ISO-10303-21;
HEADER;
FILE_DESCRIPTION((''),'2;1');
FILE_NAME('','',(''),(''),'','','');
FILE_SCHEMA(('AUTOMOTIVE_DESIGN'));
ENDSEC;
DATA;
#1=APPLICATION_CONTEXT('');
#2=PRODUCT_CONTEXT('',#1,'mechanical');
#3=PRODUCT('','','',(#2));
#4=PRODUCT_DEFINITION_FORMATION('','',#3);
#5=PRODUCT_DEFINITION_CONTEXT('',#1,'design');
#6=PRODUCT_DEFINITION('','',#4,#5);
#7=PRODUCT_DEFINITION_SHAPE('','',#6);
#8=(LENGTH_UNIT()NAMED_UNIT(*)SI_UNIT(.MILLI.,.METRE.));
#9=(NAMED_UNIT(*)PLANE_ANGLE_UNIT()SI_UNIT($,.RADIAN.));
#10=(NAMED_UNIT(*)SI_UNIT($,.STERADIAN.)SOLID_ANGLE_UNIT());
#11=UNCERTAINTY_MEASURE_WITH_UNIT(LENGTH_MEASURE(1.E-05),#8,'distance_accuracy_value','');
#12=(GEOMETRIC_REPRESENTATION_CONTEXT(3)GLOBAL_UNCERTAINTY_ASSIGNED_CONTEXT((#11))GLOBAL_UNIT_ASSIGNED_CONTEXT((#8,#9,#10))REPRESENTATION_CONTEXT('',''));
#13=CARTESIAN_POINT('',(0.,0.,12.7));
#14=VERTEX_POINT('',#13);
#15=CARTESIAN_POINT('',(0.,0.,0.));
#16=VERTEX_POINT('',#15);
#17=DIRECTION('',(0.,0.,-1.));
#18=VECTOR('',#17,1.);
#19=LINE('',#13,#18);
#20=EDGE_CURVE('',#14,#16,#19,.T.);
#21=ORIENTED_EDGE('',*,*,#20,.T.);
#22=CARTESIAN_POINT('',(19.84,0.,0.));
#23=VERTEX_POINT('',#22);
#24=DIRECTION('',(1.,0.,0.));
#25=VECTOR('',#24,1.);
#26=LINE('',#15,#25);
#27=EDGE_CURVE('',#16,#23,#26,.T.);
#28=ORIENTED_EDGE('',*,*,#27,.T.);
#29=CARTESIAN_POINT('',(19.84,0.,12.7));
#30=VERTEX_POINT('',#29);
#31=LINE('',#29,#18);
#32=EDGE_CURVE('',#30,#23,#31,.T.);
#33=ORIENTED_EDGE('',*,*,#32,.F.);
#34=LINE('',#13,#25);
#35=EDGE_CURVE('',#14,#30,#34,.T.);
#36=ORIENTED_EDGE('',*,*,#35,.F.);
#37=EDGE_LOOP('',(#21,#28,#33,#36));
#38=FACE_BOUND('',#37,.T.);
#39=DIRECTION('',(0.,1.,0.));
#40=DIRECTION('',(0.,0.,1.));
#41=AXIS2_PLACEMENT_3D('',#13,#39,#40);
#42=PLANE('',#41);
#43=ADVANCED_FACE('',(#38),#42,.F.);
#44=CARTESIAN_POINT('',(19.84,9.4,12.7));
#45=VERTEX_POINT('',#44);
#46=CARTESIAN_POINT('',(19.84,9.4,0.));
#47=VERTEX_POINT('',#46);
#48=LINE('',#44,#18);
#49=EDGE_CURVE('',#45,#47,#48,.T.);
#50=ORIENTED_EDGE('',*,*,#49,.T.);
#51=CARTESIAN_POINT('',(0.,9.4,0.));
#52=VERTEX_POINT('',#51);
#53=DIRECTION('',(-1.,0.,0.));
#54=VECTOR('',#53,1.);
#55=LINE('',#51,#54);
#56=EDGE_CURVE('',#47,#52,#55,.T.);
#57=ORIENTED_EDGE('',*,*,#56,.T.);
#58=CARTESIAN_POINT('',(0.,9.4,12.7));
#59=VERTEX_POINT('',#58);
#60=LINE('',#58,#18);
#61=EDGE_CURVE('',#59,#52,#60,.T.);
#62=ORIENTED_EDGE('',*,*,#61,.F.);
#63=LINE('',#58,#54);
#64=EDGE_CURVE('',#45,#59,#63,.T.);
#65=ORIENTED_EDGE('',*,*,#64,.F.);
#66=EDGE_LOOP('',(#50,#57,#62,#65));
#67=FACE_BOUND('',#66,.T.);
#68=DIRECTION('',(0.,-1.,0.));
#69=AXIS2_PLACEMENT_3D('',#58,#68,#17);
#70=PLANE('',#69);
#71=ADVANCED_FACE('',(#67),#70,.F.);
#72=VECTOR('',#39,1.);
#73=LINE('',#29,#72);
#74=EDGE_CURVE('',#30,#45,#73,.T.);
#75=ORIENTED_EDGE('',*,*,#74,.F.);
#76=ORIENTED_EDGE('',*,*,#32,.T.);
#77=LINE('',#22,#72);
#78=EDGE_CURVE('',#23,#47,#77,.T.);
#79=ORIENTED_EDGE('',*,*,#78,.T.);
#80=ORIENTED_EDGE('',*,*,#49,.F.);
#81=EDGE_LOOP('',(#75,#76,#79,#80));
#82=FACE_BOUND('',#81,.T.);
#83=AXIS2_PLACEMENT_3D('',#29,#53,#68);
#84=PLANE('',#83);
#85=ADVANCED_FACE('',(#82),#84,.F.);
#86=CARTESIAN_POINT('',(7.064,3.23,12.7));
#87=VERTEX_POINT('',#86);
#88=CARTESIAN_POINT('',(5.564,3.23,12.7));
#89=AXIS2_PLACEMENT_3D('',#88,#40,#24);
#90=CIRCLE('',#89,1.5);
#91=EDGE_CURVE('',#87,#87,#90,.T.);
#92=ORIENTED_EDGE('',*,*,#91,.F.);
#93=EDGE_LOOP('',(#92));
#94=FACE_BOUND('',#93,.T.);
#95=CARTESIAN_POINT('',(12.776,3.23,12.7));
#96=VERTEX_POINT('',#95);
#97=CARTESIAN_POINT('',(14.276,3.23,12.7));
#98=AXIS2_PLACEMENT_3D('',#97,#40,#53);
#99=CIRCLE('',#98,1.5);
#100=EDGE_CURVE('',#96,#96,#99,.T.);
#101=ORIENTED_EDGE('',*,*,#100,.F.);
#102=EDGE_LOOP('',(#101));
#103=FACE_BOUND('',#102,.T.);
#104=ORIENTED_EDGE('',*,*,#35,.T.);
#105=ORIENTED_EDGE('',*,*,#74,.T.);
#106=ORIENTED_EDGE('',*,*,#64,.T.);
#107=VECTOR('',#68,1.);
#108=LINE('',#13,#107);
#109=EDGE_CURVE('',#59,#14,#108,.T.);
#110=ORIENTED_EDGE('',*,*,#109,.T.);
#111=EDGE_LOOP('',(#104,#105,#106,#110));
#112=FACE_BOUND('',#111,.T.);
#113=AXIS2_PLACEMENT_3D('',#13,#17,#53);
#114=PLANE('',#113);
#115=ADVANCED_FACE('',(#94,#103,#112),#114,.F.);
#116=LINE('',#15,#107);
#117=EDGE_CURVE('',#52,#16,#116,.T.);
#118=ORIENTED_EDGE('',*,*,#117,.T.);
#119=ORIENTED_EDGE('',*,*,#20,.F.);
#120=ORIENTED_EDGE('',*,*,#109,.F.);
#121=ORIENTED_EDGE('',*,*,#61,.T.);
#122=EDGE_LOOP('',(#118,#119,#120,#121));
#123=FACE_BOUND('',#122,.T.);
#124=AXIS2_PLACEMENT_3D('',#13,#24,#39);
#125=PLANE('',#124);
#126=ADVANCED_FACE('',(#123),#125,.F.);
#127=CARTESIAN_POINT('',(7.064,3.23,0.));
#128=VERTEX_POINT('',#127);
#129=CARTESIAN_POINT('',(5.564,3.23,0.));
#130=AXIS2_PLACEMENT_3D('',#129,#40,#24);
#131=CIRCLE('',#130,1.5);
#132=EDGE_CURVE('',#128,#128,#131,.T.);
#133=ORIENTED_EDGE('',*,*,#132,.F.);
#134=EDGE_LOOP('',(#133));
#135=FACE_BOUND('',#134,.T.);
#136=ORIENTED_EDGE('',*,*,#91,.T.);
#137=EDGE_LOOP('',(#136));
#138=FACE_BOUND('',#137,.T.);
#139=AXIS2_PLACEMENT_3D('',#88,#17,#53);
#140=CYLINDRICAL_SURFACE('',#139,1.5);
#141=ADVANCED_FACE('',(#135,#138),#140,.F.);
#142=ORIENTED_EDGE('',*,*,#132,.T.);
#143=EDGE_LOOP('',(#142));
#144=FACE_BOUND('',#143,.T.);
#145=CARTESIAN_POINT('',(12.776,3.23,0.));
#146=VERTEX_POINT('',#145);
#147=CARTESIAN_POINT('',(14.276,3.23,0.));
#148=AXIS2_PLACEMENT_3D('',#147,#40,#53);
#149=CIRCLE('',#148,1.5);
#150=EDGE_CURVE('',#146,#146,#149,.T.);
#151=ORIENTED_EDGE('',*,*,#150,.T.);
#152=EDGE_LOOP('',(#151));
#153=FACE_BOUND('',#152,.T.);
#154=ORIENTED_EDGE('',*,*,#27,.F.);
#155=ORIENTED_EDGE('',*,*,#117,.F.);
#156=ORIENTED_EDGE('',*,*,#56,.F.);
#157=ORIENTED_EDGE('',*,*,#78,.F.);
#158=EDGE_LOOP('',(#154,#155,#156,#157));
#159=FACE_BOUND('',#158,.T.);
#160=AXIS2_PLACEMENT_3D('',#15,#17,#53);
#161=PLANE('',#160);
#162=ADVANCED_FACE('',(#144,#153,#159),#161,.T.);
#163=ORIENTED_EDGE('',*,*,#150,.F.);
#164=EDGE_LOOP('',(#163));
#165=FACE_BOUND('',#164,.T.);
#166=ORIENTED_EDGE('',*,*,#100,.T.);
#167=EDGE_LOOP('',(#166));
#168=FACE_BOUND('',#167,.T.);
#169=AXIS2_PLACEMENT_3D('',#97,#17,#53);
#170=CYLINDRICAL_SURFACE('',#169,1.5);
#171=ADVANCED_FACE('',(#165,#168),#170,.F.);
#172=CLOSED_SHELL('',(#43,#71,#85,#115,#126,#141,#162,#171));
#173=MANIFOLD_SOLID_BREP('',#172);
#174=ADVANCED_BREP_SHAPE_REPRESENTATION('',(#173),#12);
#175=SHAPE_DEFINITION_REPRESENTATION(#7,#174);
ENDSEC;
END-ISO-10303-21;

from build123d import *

# Parameters (mm, degrees)
SKETCH2_W           = 19.84
SKETCH2_H           = 9.4
SKETCH2_R           = 1.5
BOSS_EXTRUDE1_DEPTH = 12.7


with BuildPart() as part:
    # Sketch2 → Boss-Extrude1 (new body)
    with BuildSketch(Plane.XY):
        with Locations((9.92, 4.7)):
            Rectangle(SKETCH2_W, SKETCH2_H)
        with Locations((5.564, 3.23)):
            Circle(SKETCH2_R, mode=Mode.SUBTRACT)
        with Locations((14.276, 3.23)):
            Circle(SKETCH2_R, mode=Mode.SUBTRACT)
    extrude(amount=BOSS_EXTRUDE1_DEPTH)


solid = part.part
